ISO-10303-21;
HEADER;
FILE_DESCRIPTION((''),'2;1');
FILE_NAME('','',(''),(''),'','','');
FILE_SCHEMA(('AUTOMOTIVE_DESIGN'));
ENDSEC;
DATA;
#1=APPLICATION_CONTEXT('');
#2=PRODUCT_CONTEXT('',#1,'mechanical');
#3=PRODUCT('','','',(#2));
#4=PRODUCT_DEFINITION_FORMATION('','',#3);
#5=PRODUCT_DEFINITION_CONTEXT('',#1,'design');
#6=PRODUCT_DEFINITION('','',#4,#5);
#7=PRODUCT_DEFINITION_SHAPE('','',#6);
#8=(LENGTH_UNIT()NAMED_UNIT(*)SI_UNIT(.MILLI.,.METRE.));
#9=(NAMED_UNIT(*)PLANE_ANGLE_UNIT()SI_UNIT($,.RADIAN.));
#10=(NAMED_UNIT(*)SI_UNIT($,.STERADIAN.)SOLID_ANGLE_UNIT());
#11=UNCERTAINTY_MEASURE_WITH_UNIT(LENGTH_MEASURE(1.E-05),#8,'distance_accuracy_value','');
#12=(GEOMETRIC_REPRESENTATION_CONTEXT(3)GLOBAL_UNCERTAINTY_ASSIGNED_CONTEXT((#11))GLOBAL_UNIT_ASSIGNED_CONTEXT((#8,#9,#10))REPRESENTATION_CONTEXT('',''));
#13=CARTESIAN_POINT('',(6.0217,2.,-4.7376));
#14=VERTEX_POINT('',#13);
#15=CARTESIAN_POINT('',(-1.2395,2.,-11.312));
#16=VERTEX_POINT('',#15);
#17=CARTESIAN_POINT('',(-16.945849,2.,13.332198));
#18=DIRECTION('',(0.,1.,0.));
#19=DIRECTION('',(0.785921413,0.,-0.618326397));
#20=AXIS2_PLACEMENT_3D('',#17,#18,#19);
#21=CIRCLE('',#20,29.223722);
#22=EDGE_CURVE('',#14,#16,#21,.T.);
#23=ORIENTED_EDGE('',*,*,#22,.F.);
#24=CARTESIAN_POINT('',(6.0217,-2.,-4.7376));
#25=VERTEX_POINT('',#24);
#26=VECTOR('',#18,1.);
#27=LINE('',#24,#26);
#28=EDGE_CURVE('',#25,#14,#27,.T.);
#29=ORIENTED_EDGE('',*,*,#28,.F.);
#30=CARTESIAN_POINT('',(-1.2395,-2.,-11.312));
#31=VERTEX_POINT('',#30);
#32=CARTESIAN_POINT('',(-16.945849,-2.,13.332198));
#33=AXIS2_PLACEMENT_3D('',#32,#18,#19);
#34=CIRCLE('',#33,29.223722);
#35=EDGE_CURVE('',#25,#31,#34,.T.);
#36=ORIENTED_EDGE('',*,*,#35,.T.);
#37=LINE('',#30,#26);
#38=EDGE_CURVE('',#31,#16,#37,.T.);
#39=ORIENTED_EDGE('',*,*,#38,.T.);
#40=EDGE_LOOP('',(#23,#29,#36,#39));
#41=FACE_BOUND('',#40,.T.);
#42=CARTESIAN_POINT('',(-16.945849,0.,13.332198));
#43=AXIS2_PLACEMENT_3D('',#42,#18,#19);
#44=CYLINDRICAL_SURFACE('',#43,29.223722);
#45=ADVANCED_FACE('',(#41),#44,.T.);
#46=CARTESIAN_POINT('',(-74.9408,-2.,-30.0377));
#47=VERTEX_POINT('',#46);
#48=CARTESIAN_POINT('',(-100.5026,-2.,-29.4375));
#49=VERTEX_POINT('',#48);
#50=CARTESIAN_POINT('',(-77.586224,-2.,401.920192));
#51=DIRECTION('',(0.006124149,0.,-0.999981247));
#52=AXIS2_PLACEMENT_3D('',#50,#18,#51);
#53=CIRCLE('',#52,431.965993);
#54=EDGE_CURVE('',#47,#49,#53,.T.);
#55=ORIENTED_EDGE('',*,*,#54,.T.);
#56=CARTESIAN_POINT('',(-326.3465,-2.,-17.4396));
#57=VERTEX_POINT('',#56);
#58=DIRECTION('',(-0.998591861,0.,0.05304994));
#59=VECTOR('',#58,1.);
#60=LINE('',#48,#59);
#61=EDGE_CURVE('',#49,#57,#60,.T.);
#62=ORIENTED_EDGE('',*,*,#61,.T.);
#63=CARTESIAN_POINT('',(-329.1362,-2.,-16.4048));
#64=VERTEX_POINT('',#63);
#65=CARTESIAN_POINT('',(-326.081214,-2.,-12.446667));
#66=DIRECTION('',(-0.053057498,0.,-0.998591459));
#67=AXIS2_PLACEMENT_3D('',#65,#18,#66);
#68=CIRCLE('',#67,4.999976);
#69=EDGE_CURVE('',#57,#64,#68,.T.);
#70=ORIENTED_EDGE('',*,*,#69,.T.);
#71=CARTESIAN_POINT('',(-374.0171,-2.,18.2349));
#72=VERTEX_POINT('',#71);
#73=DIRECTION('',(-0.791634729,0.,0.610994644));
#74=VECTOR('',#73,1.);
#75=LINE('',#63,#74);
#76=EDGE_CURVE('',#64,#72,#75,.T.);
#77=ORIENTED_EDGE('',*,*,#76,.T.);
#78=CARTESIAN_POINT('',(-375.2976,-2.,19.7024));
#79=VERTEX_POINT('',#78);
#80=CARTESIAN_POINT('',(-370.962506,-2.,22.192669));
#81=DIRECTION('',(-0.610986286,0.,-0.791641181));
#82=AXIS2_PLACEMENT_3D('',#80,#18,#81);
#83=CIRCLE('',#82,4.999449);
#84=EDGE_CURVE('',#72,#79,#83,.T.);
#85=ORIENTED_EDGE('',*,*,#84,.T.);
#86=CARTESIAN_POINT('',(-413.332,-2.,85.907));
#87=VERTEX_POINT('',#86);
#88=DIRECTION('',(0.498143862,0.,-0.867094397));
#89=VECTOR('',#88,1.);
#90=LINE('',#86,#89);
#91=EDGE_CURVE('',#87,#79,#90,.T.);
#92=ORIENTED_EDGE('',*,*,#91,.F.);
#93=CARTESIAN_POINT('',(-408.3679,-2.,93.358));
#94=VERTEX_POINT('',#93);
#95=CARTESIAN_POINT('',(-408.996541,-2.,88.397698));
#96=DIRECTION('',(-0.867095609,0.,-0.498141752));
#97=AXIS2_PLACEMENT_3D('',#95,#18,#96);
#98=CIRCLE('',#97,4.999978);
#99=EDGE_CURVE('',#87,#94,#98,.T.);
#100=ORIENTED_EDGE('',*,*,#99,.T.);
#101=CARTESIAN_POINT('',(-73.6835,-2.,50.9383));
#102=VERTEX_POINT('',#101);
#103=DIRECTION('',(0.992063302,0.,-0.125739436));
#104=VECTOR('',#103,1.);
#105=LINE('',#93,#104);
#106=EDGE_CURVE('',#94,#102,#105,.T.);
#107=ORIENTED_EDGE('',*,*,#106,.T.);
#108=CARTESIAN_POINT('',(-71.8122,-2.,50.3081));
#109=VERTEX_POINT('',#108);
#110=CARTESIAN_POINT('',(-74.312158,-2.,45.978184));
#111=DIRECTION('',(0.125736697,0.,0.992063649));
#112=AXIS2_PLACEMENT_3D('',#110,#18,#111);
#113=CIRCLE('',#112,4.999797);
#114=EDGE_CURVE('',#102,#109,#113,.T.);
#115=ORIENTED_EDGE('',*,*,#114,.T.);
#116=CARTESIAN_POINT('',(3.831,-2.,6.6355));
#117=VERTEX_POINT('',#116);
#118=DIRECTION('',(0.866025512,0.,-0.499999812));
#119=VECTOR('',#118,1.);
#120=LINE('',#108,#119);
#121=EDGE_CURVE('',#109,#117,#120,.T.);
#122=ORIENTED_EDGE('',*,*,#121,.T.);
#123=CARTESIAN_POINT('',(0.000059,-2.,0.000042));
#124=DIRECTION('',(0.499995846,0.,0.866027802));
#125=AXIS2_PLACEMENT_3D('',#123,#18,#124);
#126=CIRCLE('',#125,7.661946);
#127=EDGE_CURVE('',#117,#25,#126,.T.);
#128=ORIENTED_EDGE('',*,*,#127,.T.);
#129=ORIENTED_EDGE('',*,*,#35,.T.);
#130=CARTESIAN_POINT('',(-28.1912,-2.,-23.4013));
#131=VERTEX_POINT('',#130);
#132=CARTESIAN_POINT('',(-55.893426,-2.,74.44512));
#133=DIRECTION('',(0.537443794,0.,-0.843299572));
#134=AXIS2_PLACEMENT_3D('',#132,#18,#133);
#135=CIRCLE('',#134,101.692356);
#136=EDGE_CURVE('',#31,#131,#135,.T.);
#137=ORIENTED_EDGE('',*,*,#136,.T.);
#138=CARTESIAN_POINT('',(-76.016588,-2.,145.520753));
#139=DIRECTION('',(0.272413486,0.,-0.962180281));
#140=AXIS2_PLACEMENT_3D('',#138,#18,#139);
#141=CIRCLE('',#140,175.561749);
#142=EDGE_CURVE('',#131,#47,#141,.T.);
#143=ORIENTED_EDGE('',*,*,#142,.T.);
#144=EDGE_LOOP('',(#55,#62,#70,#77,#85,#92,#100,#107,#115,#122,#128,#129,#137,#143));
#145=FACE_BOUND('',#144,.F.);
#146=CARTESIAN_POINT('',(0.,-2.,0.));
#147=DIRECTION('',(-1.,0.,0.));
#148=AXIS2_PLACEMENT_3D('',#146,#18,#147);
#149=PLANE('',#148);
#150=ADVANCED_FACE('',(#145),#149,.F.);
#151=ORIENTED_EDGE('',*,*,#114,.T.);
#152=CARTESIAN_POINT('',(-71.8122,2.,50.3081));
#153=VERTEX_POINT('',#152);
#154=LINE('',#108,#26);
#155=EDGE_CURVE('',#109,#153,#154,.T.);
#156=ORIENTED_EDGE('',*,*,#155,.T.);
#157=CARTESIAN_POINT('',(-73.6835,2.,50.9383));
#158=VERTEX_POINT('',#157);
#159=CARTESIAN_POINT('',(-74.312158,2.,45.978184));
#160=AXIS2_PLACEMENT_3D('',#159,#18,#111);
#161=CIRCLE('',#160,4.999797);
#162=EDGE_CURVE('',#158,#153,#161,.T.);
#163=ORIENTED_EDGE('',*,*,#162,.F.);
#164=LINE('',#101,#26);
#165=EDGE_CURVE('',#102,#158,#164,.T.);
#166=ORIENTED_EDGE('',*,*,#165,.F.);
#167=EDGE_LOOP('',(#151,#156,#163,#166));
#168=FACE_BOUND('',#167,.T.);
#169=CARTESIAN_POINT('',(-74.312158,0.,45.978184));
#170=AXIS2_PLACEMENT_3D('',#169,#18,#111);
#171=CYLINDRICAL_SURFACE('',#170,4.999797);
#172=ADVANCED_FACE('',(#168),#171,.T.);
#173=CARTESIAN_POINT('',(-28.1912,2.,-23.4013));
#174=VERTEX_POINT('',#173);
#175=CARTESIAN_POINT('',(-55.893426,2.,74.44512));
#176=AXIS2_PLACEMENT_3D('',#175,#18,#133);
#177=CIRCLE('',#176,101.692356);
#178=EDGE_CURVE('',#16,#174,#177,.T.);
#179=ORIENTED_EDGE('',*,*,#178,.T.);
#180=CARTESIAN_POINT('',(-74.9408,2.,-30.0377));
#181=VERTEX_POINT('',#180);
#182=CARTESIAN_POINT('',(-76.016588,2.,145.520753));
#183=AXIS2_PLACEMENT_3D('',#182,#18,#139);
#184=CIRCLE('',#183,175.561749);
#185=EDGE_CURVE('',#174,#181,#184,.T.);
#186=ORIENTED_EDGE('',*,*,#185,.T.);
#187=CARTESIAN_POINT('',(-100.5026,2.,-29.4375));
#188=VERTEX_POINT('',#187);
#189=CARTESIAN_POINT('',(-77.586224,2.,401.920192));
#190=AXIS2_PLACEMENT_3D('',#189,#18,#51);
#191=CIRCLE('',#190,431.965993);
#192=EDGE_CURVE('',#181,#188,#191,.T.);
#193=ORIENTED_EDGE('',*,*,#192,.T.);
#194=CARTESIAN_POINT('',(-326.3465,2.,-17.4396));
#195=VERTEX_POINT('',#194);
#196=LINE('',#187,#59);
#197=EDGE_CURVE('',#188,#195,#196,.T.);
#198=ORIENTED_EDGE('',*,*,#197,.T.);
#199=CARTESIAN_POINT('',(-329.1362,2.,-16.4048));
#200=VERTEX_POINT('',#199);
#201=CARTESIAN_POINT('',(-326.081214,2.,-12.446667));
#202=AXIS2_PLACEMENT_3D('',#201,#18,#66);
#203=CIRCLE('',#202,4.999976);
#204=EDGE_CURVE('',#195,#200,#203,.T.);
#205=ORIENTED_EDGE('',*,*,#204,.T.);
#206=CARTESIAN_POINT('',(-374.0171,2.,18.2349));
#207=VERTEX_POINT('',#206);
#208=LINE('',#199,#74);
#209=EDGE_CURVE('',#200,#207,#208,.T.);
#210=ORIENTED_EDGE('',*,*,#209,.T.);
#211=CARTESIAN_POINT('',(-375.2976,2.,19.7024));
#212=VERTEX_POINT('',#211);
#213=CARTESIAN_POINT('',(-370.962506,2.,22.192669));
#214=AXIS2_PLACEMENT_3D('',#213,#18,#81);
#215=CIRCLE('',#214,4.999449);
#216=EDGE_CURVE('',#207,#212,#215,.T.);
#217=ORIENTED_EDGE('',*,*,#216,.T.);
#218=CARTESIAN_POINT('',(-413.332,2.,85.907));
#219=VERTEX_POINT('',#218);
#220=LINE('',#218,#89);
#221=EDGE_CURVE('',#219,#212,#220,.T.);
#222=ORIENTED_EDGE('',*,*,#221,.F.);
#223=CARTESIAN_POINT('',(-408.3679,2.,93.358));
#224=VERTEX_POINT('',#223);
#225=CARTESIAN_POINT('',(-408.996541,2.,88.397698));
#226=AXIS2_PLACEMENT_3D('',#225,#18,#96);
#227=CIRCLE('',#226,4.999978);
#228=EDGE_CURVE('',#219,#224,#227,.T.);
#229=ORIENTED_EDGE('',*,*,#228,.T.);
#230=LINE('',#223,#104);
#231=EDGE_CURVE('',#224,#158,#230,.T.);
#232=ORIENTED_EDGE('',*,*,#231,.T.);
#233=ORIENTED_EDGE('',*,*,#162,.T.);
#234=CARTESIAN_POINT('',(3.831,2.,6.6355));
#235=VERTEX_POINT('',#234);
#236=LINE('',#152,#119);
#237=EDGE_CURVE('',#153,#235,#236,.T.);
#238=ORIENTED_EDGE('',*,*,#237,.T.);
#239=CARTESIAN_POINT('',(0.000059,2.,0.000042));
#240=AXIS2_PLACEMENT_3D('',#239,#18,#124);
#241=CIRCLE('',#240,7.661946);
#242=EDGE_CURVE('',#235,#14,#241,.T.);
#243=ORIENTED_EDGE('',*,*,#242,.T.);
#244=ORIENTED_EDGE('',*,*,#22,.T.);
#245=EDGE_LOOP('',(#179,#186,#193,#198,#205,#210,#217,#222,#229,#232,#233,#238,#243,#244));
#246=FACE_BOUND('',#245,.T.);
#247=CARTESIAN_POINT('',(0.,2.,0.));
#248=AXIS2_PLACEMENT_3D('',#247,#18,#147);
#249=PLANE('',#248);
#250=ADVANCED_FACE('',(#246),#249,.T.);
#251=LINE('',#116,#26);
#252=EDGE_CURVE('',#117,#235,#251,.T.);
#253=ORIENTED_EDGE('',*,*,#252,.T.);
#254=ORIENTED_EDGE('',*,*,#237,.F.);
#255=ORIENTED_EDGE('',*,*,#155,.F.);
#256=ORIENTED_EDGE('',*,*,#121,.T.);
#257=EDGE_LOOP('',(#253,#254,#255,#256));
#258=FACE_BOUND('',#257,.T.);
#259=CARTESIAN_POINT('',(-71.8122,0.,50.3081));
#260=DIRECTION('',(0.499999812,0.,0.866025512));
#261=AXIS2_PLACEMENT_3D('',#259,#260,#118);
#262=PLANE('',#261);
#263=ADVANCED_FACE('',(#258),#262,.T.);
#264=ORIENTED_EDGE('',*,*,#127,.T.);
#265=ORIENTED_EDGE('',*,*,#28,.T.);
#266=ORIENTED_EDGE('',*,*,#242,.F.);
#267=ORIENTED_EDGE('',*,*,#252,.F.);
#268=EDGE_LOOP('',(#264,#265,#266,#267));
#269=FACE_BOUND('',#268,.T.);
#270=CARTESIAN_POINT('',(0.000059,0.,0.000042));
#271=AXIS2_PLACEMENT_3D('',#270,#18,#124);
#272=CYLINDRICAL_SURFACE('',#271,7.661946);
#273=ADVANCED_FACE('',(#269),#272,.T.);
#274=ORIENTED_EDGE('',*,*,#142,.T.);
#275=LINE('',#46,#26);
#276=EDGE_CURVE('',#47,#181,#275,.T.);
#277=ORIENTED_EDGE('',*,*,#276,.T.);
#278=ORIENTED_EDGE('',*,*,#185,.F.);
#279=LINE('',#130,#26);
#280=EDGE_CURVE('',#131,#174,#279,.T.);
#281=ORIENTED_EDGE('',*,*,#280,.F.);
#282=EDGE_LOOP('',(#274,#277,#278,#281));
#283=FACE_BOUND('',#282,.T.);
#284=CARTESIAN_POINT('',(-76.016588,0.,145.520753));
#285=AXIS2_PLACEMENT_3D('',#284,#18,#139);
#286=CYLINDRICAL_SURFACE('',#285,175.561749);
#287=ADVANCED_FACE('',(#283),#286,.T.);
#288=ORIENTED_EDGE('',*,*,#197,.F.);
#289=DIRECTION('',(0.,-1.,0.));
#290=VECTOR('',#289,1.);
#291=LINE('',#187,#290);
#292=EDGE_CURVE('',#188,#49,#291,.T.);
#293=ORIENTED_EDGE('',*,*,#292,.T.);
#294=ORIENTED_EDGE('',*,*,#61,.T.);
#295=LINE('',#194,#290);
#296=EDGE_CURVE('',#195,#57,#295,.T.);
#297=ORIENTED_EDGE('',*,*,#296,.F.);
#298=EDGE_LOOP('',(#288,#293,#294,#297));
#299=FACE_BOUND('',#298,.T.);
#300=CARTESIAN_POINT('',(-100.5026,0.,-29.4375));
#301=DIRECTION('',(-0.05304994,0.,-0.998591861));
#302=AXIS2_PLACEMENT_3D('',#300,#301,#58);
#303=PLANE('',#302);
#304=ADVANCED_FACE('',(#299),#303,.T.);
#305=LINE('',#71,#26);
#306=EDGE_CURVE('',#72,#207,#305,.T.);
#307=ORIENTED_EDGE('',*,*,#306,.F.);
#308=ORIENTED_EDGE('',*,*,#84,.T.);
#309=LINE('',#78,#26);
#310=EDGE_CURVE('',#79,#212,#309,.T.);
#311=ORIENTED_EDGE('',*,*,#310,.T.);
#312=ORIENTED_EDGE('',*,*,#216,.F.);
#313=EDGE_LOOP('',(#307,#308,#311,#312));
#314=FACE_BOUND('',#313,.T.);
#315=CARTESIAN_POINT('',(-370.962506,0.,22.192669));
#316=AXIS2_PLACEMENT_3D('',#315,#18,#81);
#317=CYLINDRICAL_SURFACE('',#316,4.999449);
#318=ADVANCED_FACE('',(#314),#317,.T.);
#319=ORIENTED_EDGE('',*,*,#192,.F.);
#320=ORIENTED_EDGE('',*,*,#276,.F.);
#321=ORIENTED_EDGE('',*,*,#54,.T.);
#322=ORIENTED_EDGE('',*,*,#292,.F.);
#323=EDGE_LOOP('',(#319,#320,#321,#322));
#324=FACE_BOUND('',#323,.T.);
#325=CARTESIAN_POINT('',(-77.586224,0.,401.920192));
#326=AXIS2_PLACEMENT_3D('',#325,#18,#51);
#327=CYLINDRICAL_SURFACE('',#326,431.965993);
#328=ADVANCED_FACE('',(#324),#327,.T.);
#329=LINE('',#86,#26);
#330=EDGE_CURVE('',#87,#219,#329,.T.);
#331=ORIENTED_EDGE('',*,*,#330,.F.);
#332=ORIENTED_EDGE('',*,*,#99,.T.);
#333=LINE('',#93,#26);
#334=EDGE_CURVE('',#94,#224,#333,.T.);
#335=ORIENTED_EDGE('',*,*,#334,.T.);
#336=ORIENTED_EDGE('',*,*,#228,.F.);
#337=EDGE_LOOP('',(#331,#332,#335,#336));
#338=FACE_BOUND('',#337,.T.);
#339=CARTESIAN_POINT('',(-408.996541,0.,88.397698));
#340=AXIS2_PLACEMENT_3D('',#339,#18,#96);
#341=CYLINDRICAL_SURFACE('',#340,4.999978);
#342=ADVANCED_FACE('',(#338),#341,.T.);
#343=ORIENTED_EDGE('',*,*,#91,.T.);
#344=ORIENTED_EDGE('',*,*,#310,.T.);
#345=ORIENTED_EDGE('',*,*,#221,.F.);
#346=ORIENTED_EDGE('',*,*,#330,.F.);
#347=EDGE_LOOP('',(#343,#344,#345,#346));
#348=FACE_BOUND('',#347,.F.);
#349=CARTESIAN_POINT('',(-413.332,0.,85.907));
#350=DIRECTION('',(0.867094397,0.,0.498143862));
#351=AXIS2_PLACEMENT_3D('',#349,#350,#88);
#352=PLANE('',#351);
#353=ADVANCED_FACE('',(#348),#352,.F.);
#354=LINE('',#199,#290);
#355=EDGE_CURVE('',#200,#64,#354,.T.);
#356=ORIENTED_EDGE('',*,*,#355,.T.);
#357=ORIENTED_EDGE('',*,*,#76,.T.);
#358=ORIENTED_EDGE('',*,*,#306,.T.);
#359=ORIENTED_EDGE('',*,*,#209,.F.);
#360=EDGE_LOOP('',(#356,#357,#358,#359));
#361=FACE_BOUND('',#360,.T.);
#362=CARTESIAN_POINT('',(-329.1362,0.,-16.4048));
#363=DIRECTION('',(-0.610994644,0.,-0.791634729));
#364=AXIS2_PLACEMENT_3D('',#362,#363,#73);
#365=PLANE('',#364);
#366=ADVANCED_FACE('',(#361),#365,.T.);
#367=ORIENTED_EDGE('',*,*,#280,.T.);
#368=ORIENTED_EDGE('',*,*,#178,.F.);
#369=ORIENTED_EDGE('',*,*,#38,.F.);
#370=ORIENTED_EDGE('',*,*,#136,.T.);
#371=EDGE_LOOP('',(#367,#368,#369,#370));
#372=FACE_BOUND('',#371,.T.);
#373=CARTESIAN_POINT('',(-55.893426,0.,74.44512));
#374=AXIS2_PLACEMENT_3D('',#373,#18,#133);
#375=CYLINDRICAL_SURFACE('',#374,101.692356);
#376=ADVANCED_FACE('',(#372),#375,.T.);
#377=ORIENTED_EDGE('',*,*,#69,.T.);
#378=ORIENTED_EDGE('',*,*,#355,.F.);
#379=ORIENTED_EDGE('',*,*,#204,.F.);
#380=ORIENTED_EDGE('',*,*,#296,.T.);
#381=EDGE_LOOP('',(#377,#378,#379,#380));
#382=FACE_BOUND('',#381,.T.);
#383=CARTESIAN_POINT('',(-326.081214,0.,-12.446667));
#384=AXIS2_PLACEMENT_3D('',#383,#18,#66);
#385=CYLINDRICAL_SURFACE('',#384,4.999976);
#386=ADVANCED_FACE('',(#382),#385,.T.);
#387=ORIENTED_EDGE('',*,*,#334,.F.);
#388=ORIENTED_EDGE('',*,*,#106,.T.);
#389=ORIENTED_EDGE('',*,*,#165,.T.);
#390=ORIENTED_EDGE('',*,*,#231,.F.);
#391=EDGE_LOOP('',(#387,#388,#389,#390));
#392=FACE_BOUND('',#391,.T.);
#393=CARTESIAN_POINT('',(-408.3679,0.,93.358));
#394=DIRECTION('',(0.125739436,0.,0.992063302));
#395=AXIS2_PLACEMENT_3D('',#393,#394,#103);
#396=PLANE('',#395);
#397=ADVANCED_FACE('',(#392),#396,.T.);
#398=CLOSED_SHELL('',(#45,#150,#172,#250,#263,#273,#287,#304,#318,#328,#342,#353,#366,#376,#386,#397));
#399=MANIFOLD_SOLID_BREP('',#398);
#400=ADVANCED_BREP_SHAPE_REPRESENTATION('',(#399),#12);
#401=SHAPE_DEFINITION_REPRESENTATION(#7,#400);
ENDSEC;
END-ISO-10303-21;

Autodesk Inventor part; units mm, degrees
ref_plane "YZ Plane" through (0, 0, 0) normal (1, 0, 0) x (0, 1, 0)
ref_plane "XZ Plane" through (0, 0, 0) normal (0, 1, 0) x (-1, 0, 0)
ref_plane "XY Plane" through (0, 0, 0) normal (0, 0, 1) x (1, 0, 0)
sketch "スケッチ1" plane through (0, 0, 0) normal (0, 1, 0) x (-1, 0, 0)
  line L0 (291.6076, 44.0321) -> (352.6658, 36.9174) projected
  line L1 (352.6658, 36.9174) -> (355.0856, 76.6007) projected
  line L2 (355.0856, 76.6007) -> (269.0016, 63.509) projected
  line L3 (269.0016, 63.509) -> (291.6076, 44.0321) projected
  line L4 (132.7161, 3.5142) -> (150.4021, 50.7481) projected
  line L5 (150.4021, 50.7481) -> (98.7306, 43.6255) projected
  line L6 (98.7306, 43.6255) -> (132.7161, 3.5142) projected
  line L7 (71.5255, -13.8781) -> (118.3577, -14.9798) projected
  line L8 (118.3577, -14.9798) -> (86.7096, 23.5699) projected
  line L9 (86.7096, 23.5699) -> (71.5255, -13.8781) projected
  line L10 (313.7076, -5.8004) -> (291.4126, 29.994) projected
  line L11 (291.4126, 29.994) -> (271.7097, -9.6068) projected
  line L12 (271.7097, -9.6068) -> (313.7076, -5.8004) projected
  line L13 (260.4868, 47.8263) -> (262.3081, -10.4835) projected
  line L14 (262.3081, -10.4835) -> (282.0681, 29.2322) projected
  line L15 (282.0681, 29.2322) -> (260.4868, 47.8263) projected
  line L16 (323.2812, 5.7482) -> (352.0763, 27.2481) projected
  line L17 (352.0763, 27.2481) -> (304.6777, 32.7712) projected
  line L18 (304.6777, 32.7712) -> (323.2812, 5.7482) projected
  line L19 (26.7058, 4.295) -> (56.4892, -13.5243) projected
  line L20 (56.4892, -13.5243) -> (69.1982, 26.078) projected
  line L21 (69.1982, 26.078) -> (26.7058, 4.295) projected
  line L22 (364.6383, 23.9082) -> (399.8979, 82.3649) projected
  line L23 (399.8979, 82.3649) -> (367.9521, 78.2557) projected
  line L24 (367.9521, 78.2557) -> (364.6383, 23.9082) projected
  line L25 (157.5665, 48.0655) -> (141.5591, -14.8781) projected
  line L26 (141.5591, -14.8781) -> (173.5739, -13.8781) projected
  line L27 (173.5739, -13.8781) -> (157.5665, 48.0655) projected
  line L28 (200.374, -13.041) -> (251.4069, -11.4469) projected
  line L29 (251.4069, -11.4469) -> (249.6696, 44.1742) projected
  line L30 (249.6696, 44.1742) -> (200.374, -13.041) projected
  line L31 (165.4814, 52.2118) -> (186.2732, -9.6068) projected
  line L32 (186.2732, -9.6068) -> (246.2929, 60.0555) projected
  line L33 (246.2929, 60.0555) -> (165.4814, 52.2118) projected
  circle A0 centre (322.4385, -2.626) radius 4 projected
  circle A1 centre (77.5679, 36.3106) radius 4 projected
  circle A2 centre (257.5679, 59.1248) radius 4 projected
  arc A3 (374.0171, 18.2349) -> (375.2976, 19.7024) centre (370.9621, 22.1931) ccw projected
  line L34 (329.1362, -16.4048) -> (374.0171, 18.2349) projected
  arc A4 (326.3465, -17.4396) -> (329.1362, -16.4048) centre (326.0812, -12.4466) ccw projected
  line L35 (100.5026, -29.4375) -> (326.3465, -17.4396) projected
  arc A5 (74.9408, -30.0377) -> (100.5026, -29.4375) centre (77.5861, 401.9345) ccw projected
  arc A6 (28.1912, -23.4013) -> (74.9408, -30.0377) centre (76.0159, 145.5175) ccw projected
  arc A7 (1.2395, -11.312) -> (28.1912, -23.4013) centre (55.8939, 74.446) ccw projected
  arc A8 (-6.0217, -4.7376) -> (1.2395, -11.312) centre (16.9451, 13.3315) ccw projected
  arc A9 (-3.831, 6.6355) -> (-6.0217, -4.7376) centre (0, 0) ccw projected
  line L36 (71.8122, 50.3081) -> (-3.831, 6.6355) projected
  arc A10 (73.6835, 50.9383) -> (71.8122, 50.3081) centre (74.3122, 45.978) ccw projected
  line L37 (408.3679, 93.358) -> (73.6835, 50.9383) projected
  arc A11 (413.332, 85.907) -> (408.3679, 93.358) centre (408.9966, 88.3977) ccw projected
  line L38 (413.332, 85.907) -> (375.2976, 19.7024) projected
  circle A12 centre (130.4331, -10.1322) radius 5 projected
  circle A13 centre (20.0666, -1.5588) radius 5 projected
  circle A14 centre (359.7933, 56.2153) radius 3 projected
  circle A15 centre (287.1934, 37.1564) radius 3 projected
  point P0 (0, 0)
extrude "押し出し1" add sketch "スケッチ1" along normal mid plane 4 contours L3 L2 L1 L0 | L6 L5 L4 | L9 L8 L7 | L12 L11 L10 | L15 L14 L13 | L18 L17 L16 | L21 L20 L19 | L24 L23 L22 | L27 L26 L25 | L30 L29 L28 | L33 L32 L31 | A0 | A1 | A2 | L34 A4 L35 A5 A6 A7 A8 A9 L36 A10 L37 A11 L38 A3 | A12 | A13 | A14 | A15
properties part number "bracket"
